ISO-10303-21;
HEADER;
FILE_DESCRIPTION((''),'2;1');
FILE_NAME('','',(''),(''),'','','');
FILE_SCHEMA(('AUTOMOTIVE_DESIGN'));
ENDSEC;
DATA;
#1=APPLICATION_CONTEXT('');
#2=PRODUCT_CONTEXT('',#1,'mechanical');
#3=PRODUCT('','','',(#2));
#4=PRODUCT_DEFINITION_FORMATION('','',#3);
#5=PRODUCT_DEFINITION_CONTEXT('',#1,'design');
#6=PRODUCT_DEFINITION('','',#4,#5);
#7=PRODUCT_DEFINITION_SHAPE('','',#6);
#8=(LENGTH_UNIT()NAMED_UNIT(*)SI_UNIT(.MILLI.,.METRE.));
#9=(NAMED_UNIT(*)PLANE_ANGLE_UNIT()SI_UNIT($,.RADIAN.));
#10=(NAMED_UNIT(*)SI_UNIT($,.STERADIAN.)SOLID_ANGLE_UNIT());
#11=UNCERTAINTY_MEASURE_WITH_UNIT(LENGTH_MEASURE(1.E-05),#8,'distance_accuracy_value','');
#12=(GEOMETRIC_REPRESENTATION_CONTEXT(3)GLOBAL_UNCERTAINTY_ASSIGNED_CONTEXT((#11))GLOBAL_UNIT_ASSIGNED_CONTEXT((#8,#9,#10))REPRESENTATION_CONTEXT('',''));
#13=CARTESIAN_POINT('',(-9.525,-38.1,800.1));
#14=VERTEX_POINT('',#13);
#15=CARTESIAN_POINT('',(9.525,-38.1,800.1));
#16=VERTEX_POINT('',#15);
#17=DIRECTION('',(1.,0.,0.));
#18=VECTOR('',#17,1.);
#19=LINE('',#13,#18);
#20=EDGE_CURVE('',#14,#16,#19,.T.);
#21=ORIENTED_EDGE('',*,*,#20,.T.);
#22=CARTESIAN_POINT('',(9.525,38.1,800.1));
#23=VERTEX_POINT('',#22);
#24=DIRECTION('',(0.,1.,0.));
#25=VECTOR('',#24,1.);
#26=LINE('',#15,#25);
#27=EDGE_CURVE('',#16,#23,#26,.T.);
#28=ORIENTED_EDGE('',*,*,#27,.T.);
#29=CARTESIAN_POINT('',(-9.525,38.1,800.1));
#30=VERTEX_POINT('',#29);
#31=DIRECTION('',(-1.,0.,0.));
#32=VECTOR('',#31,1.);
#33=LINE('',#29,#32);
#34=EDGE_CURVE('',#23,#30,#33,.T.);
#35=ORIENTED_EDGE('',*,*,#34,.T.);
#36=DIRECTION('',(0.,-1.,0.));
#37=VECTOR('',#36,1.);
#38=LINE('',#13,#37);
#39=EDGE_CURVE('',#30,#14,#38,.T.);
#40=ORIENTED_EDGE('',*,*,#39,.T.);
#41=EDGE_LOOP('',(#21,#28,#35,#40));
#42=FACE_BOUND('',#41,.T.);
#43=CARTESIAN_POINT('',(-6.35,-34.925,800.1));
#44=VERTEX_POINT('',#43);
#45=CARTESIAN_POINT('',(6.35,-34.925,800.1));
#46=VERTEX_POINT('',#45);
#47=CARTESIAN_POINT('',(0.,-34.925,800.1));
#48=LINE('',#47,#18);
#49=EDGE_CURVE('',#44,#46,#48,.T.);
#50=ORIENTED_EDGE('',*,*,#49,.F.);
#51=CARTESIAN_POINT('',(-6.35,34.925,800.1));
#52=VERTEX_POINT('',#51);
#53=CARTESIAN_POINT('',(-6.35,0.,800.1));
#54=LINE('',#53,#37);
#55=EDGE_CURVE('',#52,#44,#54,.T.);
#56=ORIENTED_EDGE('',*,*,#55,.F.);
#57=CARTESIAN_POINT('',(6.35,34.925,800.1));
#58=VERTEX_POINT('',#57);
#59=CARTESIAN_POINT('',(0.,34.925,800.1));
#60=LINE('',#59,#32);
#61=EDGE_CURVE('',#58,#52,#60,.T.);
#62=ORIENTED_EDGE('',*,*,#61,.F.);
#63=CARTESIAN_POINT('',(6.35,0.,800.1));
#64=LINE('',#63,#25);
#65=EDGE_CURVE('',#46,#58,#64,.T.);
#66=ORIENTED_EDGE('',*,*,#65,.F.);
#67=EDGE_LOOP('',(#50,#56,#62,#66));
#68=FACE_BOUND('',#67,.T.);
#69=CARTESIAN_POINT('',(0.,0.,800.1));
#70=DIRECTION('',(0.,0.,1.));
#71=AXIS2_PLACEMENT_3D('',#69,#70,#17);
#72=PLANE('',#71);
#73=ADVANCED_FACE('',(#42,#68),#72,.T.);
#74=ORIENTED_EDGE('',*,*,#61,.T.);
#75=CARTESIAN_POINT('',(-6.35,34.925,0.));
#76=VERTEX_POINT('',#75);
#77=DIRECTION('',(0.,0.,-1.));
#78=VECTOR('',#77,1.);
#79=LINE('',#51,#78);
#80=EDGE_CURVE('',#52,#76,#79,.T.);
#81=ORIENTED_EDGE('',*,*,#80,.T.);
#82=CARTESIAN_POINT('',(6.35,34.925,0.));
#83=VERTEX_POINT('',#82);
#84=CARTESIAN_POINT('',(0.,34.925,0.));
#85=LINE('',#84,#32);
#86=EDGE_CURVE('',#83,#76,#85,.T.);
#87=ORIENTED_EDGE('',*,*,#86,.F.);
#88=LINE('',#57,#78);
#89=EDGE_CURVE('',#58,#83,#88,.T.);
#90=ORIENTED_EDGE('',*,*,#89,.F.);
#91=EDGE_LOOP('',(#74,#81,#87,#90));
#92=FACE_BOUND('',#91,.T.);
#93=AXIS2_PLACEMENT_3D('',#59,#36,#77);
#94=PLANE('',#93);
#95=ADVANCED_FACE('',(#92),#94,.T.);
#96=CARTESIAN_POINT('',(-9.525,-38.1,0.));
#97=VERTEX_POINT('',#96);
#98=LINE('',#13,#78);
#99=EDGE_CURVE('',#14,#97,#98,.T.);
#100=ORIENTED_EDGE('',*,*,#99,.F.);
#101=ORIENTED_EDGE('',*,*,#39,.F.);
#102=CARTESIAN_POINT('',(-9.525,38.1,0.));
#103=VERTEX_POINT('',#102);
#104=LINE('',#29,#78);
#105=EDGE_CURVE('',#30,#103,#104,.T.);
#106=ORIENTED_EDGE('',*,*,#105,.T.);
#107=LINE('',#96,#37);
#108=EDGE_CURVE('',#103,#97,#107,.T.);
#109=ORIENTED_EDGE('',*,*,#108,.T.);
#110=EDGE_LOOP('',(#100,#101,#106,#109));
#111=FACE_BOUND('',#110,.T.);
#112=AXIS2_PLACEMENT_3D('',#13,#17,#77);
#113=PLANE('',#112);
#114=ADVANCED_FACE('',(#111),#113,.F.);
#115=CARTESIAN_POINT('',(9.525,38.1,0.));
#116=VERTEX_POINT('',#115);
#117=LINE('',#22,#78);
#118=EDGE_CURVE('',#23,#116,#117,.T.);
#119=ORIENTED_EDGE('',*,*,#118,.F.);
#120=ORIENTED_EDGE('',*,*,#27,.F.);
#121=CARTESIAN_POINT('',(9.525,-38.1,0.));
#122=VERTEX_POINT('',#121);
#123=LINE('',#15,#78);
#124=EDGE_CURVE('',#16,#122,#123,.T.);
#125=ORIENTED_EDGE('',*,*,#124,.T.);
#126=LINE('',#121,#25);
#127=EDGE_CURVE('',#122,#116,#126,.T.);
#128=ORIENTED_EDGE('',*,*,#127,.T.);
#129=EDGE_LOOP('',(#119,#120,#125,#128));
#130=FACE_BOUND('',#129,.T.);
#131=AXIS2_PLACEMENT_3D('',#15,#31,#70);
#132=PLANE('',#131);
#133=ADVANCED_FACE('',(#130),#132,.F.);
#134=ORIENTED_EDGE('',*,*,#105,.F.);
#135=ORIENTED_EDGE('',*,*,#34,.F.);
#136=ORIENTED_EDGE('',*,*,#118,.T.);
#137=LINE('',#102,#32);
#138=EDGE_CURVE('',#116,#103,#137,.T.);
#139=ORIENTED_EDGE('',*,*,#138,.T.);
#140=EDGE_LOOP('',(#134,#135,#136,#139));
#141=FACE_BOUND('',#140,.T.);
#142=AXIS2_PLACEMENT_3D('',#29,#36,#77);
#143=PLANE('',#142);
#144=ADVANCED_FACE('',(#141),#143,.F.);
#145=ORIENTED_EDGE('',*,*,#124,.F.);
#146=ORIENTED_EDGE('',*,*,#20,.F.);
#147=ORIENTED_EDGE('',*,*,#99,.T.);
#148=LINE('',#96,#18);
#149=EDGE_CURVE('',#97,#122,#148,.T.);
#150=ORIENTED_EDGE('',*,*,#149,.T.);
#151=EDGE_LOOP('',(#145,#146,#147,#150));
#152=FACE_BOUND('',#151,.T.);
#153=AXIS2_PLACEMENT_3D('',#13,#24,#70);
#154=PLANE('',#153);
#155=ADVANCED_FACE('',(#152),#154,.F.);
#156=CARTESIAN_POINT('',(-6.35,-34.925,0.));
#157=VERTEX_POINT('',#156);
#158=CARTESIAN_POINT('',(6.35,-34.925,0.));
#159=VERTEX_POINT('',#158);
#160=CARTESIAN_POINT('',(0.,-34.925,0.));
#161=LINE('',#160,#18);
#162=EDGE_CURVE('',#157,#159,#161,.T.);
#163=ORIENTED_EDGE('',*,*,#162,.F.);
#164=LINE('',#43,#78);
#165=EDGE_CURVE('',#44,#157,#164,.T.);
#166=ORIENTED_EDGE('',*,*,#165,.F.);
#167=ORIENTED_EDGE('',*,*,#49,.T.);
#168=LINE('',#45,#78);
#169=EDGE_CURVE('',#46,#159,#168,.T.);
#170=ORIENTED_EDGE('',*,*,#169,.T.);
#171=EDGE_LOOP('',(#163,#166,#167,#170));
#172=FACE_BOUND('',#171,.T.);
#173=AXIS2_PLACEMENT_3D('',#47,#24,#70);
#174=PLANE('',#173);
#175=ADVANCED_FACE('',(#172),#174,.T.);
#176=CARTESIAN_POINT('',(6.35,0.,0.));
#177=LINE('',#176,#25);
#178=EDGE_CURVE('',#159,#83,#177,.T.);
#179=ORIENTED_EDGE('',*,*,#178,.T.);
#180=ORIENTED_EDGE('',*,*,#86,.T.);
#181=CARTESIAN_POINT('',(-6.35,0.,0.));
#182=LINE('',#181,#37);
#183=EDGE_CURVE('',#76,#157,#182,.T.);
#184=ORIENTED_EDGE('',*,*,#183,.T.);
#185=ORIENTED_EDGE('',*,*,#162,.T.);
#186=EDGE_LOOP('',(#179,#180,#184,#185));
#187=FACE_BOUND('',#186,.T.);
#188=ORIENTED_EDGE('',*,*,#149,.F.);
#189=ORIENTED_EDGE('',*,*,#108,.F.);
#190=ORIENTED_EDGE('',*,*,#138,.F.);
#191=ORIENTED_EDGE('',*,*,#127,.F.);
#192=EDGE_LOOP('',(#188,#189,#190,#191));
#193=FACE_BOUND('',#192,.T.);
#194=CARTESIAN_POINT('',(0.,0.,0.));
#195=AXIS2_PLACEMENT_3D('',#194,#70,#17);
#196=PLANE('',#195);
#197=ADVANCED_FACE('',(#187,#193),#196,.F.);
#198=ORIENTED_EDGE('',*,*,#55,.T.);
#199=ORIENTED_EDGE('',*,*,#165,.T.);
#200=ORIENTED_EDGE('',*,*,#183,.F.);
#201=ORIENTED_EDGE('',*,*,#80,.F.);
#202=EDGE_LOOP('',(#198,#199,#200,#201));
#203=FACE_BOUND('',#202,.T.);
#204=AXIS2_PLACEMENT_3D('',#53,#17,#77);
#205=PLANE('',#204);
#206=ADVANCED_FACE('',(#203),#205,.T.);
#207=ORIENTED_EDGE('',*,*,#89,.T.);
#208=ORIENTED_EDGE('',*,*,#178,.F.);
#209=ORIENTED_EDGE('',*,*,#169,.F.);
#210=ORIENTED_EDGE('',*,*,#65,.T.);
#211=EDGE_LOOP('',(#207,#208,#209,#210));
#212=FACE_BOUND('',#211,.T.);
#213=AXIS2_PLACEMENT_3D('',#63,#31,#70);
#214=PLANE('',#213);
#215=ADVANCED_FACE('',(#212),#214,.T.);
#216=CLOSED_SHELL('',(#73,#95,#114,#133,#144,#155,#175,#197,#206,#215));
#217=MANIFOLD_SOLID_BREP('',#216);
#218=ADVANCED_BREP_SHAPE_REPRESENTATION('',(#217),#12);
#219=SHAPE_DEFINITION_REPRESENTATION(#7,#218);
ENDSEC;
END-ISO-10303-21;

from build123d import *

# Parameters (mm, degrees)
SKETCH1_W           = 19.05
SKETCH1_H           = 76.2
SKETCH1_W_2         = 12.7
SKETCH1_H_2         = 69.85
EXTRUDE_THIN1_DEPTH = 800.1


with BuildPart() as part:
    # Sketch1 → Extrude-Thin1 (new body)
    with BuildSketch(Plane.XY):
        Rectangle(SKETCH1_W, SKETCH1_H)
        Rectangle(SKETCH1_W_2, SKETCH1_H_2, mode=Mode.SUBTRACT)
    extrude(amount=EXTRUDE_THIN1_DEPTH)


solid = part.part
